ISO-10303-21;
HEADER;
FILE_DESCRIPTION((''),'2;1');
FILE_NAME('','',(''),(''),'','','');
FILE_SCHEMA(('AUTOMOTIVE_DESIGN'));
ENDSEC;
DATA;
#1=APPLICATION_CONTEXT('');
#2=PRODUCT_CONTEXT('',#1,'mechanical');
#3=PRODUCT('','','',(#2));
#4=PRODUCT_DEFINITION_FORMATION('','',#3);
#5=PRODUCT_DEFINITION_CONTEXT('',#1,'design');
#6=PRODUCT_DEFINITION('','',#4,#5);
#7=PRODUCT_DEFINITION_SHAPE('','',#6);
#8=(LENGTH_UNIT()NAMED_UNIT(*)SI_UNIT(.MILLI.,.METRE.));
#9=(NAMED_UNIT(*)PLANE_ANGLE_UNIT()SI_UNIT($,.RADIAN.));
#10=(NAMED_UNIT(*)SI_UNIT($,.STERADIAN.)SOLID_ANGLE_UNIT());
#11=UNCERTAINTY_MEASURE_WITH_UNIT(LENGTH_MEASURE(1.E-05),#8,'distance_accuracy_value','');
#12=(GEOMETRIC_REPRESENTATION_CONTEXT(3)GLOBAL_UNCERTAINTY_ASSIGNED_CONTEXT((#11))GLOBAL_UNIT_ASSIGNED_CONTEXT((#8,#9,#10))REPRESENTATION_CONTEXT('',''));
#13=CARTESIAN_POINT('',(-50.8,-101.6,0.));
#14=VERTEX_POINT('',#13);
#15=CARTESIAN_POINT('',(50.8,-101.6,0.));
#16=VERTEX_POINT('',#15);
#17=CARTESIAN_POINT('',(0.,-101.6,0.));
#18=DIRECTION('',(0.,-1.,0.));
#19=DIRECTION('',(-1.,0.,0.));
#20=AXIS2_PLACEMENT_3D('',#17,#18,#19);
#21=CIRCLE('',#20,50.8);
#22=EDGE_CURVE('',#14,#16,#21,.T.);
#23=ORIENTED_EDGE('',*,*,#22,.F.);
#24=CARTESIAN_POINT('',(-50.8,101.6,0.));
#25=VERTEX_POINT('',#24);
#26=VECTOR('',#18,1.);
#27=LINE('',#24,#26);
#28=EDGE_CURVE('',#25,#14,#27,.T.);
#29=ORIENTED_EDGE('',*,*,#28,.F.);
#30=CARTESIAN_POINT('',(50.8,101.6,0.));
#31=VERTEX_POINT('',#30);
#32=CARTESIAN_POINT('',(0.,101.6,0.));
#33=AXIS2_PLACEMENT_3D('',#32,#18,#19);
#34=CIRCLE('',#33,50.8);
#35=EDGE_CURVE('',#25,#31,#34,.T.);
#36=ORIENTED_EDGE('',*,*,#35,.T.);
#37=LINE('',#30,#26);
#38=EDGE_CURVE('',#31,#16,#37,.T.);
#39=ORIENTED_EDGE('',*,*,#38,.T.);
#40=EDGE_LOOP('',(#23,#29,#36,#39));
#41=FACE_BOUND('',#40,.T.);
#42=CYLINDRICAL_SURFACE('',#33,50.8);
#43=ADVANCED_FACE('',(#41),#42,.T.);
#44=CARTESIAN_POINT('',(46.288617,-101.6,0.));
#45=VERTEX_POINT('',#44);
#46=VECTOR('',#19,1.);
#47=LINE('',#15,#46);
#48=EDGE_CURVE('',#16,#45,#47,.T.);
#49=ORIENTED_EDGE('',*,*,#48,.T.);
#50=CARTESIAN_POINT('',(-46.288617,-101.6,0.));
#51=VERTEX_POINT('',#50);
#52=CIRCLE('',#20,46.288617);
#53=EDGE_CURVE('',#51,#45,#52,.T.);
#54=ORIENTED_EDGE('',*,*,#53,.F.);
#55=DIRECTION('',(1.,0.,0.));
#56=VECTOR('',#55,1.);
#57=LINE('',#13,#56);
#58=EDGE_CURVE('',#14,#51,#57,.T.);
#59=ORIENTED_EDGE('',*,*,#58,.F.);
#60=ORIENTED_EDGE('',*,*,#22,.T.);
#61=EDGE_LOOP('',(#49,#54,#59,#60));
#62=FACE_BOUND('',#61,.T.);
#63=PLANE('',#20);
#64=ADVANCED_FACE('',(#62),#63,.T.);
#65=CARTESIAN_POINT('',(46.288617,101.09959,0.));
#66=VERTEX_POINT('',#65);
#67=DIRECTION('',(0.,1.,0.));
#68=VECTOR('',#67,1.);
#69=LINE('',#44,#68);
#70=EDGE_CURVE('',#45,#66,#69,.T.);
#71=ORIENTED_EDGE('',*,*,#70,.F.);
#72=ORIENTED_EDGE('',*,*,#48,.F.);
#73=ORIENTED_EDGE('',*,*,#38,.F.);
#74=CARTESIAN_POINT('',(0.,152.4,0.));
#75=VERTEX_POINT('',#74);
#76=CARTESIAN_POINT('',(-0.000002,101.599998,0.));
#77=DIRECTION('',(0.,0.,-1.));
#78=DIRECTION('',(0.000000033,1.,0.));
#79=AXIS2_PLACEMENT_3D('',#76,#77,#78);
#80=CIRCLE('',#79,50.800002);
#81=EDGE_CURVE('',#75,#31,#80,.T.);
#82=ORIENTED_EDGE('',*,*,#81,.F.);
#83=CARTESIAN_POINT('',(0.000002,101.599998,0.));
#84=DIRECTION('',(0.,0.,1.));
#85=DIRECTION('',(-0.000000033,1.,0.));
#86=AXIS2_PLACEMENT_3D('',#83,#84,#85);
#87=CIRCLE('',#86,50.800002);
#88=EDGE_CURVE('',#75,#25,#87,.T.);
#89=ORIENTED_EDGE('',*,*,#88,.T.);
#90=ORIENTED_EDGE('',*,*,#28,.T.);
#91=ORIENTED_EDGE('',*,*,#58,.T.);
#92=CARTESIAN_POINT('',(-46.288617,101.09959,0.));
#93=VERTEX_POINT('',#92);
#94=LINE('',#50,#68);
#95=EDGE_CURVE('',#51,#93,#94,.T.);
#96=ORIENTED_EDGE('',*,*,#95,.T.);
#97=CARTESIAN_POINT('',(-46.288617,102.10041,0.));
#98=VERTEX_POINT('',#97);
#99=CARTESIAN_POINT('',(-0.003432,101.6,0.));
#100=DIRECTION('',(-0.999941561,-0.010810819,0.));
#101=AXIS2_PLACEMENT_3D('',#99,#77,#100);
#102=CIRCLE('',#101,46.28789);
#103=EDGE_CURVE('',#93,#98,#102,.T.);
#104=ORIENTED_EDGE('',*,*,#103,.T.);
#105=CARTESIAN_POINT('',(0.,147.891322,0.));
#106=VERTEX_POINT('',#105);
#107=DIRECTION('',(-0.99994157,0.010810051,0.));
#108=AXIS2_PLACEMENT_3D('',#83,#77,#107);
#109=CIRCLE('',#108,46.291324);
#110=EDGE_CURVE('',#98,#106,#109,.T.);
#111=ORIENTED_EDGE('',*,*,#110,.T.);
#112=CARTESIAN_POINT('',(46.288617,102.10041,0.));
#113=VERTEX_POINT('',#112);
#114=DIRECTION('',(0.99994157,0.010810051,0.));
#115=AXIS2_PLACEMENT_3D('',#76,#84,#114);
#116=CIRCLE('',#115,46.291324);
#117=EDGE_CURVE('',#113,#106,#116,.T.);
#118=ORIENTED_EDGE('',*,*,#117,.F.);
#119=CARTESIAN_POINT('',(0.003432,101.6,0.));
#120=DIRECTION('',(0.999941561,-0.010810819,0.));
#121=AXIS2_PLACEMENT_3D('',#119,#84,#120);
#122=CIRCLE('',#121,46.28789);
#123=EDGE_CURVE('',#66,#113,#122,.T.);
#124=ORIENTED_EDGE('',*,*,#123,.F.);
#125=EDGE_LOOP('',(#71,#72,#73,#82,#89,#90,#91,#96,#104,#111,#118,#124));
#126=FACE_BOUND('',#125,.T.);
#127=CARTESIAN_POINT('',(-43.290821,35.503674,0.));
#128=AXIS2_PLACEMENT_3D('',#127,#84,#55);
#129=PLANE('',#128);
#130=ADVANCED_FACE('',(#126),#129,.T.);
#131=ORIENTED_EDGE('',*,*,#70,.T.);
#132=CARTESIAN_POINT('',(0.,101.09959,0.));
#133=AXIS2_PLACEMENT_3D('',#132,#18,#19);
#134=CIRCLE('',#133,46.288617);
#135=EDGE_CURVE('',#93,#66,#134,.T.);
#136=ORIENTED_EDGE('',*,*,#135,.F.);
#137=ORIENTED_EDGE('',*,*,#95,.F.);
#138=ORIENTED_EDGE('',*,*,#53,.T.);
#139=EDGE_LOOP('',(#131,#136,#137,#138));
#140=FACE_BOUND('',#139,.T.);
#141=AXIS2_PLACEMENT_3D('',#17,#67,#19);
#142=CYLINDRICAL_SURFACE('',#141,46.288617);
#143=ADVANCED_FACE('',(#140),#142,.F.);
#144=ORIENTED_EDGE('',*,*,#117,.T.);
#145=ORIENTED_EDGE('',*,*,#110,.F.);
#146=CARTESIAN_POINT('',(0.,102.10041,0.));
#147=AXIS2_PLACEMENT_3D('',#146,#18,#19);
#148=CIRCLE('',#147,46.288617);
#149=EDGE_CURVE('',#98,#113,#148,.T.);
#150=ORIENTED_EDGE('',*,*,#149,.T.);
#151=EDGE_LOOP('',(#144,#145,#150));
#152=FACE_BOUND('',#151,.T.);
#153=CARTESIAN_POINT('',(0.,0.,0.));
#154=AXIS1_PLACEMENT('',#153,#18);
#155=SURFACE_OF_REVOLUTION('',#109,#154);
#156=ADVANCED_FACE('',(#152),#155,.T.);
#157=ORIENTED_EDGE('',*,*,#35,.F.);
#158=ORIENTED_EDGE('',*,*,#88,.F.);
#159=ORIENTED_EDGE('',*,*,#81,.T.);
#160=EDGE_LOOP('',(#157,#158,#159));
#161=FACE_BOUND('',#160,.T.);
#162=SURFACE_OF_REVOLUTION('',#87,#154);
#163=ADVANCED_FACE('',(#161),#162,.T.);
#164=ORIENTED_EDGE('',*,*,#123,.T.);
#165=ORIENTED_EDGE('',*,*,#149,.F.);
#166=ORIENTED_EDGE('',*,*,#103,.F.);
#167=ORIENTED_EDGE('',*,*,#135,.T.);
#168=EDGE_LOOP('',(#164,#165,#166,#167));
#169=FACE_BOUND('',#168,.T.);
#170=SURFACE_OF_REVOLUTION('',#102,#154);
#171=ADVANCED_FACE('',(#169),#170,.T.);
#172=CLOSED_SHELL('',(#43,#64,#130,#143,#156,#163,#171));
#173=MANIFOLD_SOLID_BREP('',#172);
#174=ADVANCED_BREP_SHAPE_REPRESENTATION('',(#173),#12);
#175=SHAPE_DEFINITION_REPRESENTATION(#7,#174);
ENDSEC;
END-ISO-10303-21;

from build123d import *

# Parameters (mm, degrees)
F1_ANGLE = 180


with BuildPart() as f1:
    # F0 (on Top) → F1 (revolve)
    with BuildSketch(Plane.XY):
        with BuildLine():
            Line((-50.8, -101.6), (-46.288617, -101.6))
            Line((-46.288617, -101.6), (-46.288617, 101.09959))
            ThreePointArc((-46.288617, 101.09959), (-46.291322, 101.6), (-46.288617, 102.10041))
            ThreePointArc((-46.288617, 102.10041), (-32.555505, 134.509353), (0, 147.891322))
            Line((0, 147.891322), (0, 152.4))
            ThreePointArc((0, 152.4), (-35.921024, 137.521024), (-50.8, 101.6))
            Line((-50.8, 101.6), (-50.8, -101.6))
        make_face()
    revolve(axis=Axis((0, 0, 0), (0, -1, 0)), revolution_arc=F1_ANGLE)


solid = f1.part
